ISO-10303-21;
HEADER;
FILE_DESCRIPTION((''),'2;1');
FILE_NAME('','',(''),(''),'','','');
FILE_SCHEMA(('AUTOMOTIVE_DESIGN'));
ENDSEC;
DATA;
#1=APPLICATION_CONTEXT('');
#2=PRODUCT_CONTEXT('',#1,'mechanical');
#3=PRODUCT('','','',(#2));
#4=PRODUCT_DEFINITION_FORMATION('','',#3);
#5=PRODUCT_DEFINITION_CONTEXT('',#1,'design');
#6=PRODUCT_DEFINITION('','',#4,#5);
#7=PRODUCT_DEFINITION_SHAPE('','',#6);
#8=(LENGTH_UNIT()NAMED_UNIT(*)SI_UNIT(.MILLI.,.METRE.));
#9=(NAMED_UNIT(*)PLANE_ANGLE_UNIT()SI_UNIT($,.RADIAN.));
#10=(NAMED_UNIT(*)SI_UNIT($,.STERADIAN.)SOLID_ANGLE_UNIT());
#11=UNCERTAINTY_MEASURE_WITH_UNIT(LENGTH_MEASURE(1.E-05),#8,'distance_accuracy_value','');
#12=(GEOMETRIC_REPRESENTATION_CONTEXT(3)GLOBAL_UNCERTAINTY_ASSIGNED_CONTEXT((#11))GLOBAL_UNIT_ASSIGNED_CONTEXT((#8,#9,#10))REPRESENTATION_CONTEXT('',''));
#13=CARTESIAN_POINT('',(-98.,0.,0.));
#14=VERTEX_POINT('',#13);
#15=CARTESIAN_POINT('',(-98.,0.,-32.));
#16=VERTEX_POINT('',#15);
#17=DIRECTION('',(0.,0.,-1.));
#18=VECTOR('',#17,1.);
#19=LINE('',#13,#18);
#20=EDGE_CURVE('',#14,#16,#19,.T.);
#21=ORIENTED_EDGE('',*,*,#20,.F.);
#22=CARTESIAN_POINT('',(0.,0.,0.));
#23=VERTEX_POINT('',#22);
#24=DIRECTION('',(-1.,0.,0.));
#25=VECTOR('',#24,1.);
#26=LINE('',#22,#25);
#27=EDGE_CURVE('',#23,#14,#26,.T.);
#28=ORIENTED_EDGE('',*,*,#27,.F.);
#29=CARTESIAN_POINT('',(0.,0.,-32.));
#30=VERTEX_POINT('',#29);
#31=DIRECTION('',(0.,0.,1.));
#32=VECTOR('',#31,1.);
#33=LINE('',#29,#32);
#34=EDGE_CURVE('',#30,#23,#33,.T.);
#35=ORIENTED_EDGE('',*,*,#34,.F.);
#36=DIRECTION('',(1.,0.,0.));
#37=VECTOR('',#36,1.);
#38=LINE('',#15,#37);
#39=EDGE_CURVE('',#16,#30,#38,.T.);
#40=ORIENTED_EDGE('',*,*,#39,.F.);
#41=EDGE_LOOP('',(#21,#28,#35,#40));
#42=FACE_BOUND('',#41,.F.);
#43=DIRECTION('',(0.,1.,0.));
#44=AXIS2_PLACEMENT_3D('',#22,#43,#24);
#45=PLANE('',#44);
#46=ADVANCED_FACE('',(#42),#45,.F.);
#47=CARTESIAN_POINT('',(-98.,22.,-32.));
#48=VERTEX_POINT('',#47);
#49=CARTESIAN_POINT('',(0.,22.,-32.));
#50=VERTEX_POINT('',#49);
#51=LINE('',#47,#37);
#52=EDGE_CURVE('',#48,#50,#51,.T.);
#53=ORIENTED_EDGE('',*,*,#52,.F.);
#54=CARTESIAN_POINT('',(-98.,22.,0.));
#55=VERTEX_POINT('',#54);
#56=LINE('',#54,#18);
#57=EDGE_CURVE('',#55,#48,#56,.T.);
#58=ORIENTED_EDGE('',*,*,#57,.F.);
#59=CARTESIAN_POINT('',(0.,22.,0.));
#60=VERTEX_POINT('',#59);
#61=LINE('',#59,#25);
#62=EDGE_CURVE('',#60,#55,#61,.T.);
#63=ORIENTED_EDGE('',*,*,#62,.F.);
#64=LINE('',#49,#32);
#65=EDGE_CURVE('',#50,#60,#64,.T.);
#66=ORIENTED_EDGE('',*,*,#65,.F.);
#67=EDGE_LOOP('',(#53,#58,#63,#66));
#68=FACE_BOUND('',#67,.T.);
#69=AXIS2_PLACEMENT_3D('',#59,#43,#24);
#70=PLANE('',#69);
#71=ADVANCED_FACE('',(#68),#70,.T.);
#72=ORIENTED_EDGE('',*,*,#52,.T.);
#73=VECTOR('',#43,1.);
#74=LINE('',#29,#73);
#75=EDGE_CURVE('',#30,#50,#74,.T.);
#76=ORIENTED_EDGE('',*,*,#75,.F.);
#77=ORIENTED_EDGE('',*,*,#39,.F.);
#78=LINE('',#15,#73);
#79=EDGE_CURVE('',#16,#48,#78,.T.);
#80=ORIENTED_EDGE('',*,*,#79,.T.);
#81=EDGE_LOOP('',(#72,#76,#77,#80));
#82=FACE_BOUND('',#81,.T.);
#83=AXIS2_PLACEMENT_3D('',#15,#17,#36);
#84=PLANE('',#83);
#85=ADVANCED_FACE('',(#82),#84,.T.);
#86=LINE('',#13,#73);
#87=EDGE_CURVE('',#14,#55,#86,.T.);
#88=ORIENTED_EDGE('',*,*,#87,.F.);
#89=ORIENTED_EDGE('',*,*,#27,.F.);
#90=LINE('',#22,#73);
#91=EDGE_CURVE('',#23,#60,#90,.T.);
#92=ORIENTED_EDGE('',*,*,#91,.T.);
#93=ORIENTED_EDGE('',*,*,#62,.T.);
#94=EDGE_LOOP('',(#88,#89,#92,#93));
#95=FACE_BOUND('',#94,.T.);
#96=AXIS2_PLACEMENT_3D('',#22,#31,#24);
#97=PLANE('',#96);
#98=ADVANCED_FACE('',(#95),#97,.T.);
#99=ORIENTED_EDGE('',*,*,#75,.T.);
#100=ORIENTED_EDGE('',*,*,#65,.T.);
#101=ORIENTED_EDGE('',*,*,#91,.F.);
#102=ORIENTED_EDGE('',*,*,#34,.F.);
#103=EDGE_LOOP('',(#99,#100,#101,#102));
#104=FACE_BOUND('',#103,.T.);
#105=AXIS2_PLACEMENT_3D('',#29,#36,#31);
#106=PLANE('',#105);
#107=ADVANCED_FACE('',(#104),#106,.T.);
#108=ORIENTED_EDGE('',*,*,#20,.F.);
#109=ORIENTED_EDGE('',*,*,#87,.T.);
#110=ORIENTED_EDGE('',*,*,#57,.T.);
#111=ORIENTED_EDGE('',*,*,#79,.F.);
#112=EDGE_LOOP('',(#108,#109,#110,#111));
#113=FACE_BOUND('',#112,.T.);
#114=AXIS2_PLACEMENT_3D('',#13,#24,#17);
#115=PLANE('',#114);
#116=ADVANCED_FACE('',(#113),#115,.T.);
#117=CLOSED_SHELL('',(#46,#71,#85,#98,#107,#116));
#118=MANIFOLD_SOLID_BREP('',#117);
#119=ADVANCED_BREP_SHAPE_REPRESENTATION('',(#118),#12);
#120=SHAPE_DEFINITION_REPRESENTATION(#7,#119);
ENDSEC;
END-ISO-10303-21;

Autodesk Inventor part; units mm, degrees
ref_plane "YZ Plane" through (0, 0, 0) normal (1, 0, 0) x (0, 1, 0)
ref_plane "XZ Plane" through (0, 0, 0) normal (0, 1, 0) x (-1, 0, 0)
ref_plane "XY Plane" through (0, 0, 0) normal (0, 0, 1) x (1, 0, 0)
sketch "Sketch1" plane through (0, 0, 0) normal (0, 1, 0) x (-1, 0, 0)
  point P0 (0, 0)
sketch "Sketch2" plane through (0, 0, 0) normal (0, 1, 0) x (-1, 0, 0)
  line L0 (0, 0) -> (98, 0)
  line L1 (98, 0) -> (98, -32)
  line L2 (98, -32) -> (0, -32)
  line L3 (0, -32) -> (0, 0)
  dimension "d0" = 98
  dimension "d1" = 32
extrude "Extrusion1" add sketch "Sketch2" along normal blind 22
properties part number "Battery"
